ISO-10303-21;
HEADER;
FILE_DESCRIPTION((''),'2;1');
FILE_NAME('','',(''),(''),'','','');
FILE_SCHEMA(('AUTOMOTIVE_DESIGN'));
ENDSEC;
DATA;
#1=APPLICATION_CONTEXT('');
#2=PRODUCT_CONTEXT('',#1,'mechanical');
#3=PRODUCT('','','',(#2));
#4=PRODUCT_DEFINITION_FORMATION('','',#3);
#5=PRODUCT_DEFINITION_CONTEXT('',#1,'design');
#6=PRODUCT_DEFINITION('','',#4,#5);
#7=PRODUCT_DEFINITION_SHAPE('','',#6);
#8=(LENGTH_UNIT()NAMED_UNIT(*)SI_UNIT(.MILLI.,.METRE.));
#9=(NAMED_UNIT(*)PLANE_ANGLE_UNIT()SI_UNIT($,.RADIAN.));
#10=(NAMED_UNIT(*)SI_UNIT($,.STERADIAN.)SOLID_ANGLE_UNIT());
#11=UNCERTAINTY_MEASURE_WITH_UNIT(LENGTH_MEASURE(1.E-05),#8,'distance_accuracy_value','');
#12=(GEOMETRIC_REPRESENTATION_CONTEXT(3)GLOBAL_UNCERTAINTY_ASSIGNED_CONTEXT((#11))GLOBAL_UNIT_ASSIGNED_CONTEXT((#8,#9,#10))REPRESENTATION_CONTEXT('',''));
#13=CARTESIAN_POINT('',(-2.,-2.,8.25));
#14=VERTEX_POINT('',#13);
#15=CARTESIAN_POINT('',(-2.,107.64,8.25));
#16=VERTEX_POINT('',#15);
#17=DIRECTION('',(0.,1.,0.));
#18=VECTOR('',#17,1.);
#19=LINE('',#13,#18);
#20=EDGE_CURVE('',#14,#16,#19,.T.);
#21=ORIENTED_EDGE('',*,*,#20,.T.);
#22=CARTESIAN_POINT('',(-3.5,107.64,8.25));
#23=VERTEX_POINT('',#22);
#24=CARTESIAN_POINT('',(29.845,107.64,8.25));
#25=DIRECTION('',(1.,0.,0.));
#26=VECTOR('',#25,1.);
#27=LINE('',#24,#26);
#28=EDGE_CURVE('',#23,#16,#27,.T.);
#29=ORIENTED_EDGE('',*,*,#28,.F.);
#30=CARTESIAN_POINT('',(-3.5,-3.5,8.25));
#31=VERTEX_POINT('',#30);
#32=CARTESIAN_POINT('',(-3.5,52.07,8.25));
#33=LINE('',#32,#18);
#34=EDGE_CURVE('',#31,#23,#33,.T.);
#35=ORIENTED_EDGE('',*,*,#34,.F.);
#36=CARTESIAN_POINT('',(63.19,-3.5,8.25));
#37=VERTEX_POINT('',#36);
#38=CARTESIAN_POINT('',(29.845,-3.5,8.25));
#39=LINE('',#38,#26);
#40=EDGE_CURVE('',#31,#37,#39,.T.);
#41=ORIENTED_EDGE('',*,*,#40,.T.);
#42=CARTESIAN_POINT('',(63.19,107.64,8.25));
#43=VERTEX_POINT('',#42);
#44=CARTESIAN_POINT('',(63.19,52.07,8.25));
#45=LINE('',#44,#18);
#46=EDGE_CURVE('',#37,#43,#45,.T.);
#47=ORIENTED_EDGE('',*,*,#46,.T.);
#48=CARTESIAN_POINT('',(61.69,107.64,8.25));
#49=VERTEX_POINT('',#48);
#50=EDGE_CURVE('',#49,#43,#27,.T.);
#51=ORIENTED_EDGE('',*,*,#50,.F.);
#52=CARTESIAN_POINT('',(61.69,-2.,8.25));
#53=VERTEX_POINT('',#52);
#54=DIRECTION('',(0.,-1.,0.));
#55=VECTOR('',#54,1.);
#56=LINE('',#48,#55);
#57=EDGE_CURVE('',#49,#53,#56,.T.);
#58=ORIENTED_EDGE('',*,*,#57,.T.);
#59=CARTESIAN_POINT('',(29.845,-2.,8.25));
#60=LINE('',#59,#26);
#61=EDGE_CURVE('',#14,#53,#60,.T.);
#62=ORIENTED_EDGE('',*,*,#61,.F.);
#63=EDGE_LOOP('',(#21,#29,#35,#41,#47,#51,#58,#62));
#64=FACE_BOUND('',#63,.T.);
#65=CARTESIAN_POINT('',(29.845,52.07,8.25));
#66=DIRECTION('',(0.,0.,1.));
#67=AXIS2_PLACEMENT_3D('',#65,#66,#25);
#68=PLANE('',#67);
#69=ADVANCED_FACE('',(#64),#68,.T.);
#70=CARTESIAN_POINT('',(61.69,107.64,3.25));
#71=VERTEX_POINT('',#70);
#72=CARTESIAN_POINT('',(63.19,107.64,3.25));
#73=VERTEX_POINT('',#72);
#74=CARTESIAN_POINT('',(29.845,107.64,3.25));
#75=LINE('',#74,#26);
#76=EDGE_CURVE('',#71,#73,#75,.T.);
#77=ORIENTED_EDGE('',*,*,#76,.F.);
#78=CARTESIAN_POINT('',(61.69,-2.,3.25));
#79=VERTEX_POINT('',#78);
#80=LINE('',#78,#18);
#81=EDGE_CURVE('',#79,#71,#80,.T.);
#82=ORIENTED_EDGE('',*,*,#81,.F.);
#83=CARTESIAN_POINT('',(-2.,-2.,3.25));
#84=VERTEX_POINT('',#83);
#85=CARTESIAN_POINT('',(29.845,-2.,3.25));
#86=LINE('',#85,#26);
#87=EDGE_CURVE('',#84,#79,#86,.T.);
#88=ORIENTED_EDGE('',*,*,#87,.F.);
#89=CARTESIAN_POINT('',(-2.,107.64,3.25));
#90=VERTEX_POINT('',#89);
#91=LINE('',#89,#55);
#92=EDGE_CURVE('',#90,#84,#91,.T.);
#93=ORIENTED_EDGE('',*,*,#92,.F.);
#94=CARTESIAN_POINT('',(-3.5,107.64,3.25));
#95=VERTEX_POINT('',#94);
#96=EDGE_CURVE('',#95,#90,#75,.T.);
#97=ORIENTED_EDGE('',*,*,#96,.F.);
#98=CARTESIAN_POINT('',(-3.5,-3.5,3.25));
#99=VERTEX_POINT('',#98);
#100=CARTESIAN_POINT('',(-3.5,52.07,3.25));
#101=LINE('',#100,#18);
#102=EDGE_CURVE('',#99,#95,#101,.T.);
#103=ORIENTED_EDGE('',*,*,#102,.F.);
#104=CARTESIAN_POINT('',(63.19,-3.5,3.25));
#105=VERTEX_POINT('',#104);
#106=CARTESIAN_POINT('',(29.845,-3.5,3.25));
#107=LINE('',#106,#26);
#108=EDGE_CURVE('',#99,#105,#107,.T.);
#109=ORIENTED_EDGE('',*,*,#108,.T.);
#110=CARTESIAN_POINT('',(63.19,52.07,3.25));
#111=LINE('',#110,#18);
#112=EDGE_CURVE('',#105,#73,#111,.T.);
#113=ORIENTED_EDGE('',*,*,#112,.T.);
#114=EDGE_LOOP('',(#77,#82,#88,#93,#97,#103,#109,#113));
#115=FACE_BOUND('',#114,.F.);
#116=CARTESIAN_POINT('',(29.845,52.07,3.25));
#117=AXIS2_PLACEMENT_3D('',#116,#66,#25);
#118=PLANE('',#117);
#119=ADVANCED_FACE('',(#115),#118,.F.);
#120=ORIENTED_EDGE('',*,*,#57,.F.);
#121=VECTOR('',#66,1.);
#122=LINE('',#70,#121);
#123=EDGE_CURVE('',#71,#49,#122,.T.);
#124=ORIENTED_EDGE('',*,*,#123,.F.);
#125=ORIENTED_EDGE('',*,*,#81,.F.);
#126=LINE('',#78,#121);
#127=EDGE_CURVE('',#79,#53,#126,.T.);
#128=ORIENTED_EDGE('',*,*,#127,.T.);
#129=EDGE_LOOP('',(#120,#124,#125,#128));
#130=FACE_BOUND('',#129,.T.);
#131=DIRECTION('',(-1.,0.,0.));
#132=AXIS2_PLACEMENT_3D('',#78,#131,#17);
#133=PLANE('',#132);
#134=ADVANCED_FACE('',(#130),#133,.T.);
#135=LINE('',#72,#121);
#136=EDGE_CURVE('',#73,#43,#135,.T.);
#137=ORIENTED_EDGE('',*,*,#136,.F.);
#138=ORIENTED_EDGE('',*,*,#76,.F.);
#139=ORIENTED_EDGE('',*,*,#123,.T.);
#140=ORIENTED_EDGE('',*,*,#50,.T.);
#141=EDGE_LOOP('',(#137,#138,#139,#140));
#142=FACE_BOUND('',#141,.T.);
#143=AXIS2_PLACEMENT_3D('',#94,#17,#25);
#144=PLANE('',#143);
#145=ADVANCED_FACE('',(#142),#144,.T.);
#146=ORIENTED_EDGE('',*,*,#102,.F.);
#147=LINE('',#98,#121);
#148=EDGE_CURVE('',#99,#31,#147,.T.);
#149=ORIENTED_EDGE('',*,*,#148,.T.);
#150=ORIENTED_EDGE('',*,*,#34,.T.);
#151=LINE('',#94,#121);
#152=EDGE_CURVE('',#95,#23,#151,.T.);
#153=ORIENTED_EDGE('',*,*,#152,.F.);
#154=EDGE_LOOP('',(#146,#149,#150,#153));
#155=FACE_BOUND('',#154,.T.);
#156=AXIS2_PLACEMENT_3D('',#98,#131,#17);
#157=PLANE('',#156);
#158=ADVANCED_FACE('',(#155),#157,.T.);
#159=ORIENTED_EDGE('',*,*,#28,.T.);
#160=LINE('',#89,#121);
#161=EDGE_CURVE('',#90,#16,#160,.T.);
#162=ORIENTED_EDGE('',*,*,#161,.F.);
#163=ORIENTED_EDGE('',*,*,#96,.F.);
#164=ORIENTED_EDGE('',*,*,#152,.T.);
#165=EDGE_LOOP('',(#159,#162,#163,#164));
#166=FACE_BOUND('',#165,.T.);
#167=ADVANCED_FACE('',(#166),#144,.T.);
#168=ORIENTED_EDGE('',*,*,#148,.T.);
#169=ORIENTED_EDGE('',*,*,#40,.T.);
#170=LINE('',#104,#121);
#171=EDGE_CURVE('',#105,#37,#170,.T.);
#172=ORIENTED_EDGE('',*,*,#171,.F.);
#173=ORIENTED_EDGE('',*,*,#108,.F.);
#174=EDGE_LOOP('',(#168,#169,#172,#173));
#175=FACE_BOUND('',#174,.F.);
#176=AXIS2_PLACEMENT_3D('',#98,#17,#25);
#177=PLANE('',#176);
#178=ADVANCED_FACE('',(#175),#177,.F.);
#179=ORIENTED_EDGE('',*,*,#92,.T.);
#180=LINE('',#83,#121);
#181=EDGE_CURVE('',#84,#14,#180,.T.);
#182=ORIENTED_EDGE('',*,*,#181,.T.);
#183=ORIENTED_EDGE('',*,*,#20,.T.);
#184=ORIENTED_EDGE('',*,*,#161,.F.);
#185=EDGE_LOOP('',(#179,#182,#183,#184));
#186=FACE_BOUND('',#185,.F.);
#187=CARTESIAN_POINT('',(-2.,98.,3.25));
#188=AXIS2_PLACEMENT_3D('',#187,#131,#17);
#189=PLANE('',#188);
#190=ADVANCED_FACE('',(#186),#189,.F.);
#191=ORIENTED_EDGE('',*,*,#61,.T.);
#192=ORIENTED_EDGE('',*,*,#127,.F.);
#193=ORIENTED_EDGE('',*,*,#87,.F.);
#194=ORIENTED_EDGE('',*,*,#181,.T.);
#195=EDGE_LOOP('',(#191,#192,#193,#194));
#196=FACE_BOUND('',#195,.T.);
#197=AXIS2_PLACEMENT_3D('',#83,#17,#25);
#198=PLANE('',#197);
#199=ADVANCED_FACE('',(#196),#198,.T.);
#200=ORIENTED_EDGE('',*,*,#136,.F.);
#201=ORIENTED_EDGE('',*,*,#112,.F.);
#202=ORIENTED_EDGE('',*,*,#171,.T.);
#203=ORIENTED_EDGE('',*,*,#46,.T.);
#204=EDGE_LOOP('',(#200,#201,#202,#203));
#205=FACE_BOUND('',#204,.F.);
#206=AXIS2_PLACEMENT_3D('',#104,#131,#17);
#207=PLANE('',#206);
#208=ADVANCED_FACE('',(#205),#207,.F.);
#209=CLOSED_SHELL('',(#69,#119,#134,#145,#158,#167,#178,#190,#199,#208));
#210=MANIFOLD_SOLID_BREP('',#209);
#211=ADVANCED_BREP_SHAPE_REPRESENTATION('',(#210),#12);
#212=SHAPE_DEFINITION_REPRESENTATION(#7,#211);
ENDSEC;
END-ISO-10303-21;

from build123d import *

# Parameters (mm, degrees)
BOX005_W     = 63.69
BOX005_H     = 10
BOX005_DEPTH = 5
BOX003_W     = 63.69
BOX003_H     = 108.14
BOX003_DEPTH = 5
BOX002_W     = 66.69
BOX002_H     = 111.14
BOX002_DEPTH = 5


with BuildPart() as cube005:
    # Box005 → Box005 (new body)
    with BuildSketch(Plane(origin=(-2, 98, 3.25), x_dir=(1, 0, 0), z_dir=(0, 0, 1))):
        with Locations((31.845, 5)):
            Rectangle(BOX005_W, BOX005_H)
    extrude(amount=BOX005_DEPTH)


with BuildPart() as cube003:
    # Box003 → Box003 (new body)
    with BuildSketch(Plane(origin=(-2, -2, 3.25), x_dir=(1, 0, 0), z_dir=(0, 0, 1))):
        with Locations((31.845, 54.07)):
            Rectangle(BOX003_W, BOX003_H)
    extrude(amount=BOX003_DEPTH)


with BuildPart() as cut009:
    # Box002 → Box002 (new body)
    with BuildSketch(Plane(origin=(-3.5, -3.5, 3.25), x_dir=(1, 0, 0), z_dir=(0, 0, 1))):
        with Locations((33.345, 55.57)):
            Rectangle(BOX002_W, BOX002_H)
    extrude(amount=BOX002_DEPTH)

    # Cut008: cut Cube003
    add(cube003.part, mode=Mode.SUBTRACT)

    # Cut009: cut Cube005
    add(cube005.part, mode=Mode.SUBTRACT)


solid = cut009.part
